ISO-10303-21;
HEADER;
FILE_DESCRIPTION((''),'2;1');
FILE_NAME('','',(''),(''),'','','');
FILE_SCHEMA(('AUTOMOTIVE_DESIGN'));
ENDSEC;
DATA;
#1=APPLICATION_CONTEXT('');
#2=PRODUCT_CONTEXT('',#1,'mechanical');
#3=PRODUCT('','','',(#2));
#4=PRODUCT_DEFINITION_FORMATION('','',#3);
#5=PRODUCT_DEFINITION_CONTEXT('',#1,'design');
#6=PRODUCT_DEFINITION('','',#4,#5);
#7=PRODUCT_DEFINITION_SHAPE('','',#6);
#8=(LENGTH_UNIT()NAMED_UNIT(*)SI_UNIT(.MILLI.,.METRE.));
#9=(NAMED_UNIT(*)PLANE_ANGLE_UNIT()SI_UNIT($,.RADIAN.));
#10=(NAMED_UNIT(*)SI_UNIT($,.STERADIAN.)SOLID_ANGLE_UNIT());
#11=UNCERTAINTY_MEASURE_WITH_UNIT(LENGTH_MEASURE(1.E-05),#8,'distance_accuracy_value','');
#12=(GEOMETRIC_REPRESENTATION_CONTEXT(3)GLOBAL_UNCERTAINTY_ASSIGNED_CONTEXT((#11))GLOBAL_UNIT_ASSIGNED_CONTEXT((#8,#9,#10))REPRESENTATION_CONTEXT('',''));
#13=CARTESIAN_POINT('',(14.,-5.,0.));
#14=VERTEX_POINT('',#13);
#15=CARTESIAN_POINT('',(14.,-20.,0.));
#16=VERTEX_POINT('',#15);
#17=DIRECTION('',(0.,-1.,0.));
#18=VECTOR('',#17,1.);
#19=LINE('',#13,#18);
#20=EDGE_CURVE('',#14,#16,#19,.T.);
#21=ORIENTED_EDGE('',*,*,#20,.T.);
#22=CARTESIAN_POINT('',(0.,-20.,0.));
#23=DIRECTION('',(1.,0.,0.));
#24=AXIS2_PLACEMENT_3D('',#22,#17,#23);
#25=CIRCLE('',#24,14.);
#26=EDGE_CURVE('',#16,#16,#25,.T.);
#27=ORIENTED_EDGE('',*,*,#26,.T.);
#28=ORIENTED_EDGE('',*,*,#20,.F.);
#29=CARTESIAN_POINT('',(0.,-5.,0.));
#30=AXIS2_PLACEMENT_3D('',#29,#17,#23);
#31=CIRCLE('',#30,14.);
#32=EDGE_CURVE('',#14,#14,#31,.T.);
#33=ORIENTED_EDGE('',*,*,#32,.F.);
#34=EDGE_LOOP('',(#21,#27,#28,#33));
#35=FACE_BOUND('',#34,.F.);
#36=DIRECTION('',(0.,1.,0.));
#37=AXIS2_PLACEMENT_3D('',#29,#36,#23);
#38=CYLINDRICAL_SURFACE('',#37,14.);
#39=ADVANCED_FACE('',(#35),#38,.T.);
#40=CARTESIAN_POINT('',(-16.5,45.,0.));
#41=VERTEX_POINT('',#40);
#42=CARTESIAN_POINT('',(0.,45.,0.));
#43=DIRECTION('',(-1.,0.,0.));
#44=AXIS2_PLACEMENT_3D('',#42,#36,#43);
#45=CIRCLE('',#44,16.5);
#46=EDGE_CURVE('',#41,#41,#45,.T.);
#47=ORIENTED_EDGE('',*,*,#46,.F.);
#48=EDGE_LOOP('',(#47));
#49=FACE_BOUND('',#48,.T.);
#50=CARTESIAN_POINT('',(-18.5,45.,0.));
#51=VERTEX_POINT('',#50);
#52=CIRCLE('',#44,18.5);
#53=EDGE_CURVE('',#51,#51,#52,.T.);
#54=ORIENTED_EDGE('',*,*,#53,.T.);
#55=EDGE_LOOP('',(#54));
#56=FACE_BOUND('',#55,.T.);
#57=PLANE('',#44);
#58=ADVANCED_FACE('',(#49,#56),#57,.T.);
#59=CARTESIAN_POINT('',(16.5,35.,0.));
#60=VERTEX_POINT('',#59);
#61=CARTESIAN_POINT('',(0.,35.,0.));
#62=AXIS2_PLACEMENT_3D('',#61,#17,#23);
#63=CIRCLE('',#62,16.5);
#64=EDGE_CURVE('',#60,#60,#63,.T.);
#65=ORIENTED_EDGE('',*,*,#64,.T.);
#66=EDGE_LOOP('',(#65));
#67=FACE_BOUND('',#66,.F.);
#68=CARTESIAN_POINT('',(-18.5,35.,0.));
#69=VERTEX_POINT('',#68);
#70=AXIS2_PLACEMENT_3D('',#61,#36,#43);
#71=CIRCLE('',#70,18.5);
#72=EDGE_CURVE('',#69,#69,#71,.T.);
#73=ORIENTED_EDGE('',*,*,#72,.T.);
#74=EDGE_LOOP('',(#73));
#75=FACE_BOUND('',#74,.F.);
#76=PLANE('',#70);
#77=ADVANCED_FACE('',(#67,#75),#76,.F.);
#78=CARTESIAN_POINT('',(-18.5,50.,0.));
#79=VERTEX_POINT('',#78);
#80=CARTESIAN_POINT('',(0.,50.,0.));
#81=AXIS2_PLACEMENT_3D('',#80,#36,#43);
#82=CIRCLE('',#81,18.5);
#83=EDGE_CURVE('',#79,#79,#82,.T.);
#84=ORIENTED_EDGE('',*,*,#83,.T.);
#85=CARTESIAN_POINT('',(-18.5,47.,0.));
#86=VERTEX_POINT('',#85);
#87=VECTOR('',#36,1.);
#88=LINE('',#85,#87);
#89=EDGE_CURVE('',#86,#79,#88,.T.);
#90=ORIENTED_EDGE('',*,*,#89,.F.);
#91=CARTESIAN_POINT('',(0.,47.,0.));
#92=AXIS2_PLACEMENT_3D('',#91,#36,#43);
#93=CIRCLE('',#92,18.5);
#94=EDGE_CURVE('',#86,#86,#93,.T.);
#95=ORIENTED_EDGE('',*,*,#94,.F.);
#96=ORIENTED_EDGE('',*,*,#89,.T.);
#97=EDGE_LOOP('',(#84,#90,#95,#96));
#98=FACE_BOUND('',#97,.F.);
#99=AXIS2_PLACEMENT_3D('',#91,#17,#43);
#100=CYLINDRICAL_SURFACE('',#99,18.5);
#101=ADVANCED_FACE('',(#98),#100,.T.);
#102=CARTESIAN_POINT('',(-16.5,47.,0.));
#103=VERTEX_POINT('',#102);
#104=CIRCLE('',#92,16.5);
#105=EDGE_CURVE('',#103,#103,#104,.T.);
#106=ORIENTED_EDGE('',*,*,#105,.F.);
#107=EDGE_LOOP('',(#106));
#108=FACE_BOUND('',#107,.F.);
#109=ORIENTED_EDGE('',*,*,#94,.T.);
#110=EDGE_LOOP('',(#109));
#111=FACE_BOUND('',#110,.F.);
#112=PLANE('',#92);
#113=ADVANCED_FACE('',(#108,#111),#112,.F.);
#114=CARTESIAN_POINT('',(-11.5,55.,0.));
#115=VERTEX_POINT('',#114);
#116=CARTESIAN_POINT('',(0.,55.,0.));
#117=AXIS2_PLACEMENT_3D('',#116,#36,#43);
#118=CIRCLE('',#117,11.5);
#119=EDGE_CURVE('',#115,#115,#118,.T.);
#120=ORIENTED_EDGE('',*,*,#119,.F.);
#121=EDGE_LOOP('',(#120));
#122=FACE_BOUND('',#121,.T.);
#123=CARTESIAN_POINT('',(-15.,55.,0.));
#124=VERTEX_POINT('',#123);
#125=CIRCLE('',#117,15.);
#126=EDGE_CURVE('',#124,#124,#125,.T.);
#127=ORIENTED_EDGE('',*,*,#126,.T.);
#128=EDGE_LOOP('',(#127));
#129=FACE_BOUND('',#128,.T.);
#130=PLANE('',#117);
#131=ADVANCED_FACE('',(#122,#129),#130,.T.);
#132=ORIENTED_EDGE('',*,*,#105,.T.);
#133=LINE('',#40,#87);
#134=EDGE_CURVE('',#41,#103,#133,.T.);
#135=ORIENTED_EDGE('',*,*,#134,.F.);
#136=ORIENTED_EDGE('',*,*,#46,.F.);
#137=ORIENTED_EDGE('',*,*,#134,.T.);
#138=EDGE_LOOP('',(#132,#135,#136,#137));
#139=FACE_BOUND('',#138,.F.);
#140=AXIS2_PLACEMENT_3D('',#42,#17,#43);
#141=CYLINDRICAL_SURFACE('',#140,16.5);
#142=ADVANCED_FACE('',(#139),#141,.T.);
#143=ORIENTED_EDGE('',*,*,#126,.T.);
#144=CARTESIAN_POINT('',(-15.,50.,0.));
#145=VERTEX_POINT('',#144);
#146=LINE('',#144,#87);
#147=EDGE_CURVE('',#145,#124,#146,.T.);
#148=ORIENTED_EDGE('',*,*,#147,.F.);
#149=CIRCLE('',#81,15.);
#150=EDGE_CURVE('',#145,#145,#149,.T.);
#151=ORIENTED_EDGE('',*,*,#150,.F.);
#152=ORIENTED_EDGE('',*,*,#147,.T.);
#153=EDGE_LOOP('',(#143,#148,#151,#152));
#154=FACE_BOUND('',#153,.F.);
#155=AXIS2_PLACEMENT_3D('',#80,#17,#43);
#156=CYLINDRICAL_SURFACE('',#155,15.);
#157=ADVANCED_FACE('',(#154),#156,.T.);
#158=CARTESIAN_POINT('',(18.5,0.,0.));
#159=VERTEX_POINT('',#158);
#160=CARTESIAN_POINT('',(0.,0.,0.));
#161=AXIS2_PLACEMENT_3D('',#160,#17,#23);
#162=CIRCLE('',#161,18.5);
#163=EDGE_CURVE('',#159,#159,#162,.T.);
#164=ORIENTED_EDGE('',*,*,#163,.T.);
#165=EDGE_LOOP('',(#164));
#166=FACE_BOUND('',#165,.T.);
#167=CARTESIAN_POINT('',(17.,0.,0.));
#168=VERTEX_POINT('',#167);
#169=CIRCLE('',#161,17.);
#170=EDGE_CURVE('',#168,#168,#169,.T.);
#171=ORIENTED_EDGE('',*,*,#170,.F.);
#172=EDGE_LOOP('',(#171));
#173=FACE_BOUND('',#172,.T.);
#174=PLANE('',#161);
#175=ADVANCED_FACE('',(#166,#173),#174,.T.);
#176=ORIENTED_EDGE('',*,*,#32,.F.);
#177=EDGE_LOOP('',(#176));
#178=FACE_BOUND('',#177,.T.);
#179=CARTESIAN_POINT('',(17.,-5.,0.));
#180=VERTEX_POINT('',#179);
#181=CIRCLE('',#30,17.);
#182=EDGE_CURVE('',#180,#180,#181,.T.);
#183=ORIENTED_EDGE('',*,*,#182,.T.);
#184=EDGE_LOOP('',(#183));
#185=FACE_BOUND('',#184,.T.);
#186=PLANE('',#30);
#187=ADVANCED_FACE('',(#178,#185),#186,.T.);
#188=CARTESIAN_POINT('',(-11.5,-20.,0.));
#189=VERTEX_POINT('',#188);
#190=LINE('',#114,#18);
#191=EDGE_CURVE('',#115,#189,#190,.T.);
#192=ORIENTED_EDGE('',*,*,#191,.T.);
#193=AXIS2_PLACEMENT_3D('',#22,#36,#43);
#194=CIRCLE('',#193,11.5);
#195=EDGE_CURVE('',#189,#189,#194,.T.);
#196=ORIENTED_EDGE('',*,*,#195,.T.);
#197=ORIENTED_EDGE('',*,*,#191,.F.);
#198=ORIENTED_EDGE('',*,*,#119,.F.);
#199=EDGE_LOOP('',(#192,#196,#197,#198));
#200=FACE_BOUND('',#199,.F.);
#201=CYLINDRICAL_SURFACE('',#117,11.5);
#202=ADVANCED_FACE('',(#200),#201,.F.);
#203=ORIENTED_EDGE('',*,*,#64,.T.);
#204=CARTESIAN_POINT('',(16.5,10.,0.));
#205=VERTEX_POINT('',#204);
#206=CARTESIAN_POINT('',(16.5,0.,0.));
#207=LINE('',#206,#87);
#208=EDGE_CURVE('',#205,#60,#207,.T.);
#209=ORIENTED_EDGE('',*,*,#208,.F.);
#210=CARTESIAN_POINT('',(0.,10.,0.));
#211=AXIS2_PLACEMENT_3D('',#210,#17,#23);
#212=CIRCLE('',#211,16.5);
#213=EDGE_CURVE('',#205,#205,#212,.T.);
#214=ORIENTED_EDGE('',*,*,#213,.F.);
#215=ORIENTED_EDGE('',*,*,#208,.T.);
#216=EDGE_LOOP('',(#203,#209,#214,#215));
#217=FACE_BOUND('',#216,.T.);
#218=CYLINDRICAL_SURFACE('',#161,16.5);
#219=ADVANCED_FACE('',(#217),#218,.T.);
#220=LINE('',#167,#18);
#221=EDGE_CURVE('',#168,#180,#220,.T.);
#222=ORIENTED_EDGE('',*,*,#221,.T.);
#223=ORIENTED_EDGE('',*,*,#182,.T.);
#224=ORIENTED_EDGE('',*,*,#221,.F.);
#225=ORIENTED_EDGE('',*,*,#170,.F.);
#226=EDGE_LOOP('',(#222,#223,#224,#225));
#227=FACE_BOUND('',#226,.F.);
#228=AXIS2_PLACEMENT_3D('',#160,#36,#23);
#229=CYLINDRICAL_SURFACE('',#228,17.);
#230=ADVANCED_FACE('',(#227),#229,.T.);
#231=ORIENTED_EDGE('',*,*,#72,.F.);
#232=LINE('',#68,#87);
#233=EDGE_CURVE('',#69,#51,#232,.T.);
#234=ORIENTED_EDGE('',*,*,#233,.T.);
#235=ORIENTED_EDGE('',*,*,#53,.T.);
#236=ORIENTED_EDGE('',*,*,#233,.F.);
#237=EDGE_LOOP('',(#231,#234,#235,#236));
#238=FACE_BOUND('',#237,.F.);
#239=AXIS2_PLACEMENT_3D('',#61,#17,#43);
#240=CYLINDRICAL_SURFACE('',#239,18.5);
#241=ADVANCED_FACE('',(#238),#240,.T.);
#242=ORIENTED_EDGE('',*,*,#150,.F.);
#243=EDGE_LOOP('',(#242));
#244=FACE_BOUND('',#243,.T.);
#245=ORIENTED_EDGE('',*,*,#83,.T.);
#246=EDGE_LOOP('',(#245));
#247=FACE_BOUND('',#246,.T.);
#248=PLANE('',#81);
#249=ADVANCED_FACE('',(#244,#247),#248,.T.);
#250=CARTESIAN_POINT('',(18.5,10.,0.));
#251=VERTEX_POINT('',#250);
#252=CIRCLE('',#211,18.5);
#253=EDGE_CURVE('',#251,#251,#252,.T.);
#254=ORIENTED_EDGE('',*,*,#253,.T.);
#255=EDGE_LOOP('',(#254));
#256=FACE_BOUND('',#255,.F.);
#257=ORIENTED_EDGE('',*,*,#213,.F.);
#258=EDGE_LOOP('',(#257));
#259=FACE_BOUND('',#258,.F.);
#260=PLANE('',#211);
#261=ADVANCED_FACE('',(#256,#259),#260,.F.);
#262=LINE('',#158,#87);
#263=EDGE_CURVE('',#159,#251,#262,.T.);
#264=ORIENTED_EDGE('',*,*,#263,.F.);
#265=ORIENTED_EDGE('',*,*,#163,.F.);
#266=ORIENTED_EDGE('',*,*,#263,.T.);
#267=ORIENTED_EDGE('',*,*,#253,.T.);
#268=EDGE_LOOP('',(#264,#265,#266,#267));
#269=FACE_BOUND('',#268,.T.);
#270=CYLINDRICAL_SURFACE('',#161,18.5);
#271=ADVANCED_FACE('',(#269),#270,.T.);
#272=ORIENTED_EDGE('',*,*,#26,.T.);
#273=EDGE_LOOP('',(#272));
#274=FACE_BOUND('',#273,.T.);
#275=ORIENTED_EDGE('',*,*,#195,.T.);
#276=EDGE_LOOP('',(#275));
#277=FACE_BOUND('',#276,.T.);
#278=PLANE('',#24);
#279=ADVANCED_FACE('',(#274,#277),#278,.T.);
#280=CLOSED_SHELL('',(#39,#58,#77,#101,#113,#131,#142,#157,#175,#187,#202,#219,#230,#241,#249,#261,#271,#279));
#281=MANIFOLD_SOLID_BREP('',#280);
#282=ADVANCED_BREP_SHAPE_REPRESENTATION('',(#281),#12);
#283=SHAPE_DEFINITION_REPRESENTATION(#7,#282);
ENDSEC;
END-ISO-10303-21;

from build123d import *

# Parameters (mm, degrees)
F0_R      = 17
F1_DEPTH  = 5
F2_R      = 14
F3_DEPTH  = 15
F4_R      = 18.5
F5_DEPTH  = 10
F6_R      = 16.5
F7_DEPTH  = 35
F8_R      = 18.5
F9_DEPTH  = 10
F10_R     = 16.5
F11_DEPTH = 2
F12_R     = 18.5
F13_DEPTH = 3
F14_R     = 15
F15_DEPTH = 5
F16_R     = 11.5
F17_DEPTH = 136.4


with BuildPart() as f1:
    # F0 (on Front) → F1 (new body)
    with BuildSketch(Plane.XZ):
        Circle(F0_R)
    extrude(amount=F1_DEPTH)

    # F2 (on face) → F3 (join)
    with BuildSketch(Plane.XZ.offset(5)):
        Circle(F2_R)
    extrude(amount=F3_DEPTH)

    # F4 (on Front) → F5 (join)
    with BuildSketch(Plane.XZ):
        Circle(F4_R)
    extrude(amount=-F5_DEPTH)

    # F6 (on Front) → F7 (join)
    with BuildSketch(Plane.XZ):
        Circle(F6_R)
    extrude(amount=-F7_DEPTH)

    # F8 (on face) → F9 (join)
    with BuildSketch(Plane(origin=(0, 35, 0), x_dir=(-1, 0, 0), z_dir=(0, 1, 0))):
        Circle(F8_R)
    extrude(amount=F9_DEPTH)

    # F10 (on face) → F11 (join)
    with BuildSketch(Plane(origin=(0, 45, 0), x_dir=(-1, 0, 0), z_dir=(0, 1, 0))):
        Circle(F10_R)
    extrude(amount=F11_DEPTH)

    # F12 (on face) → F13 (join)
    with BuildSketch(Plane(origin=(0, 47, 0), x_dir=(-1, 0, 0), z_dir=(0, 1, 0))):
        Circle(F12_R)
    extrude(amount=F13_DEPTH)

    # F14 (on face) → F15 (join)
    with BuildSketch(Plane(origin=(0, 50, 0), x_dir=(-1, 0, 0), z_dir=(0, 1, 0))):
        Circle(F14_R)
    extrude(amount=F15_DEPTH)

    # F16 (on face) → F17 (cut)
    with BuildSketch(Plane(origin=(0, 55, 0), x_dir=(-1, 0, 0), z_dir=(0, 1, 0))):
        Circle(F16_R)
    extrude(amount=-F17_DEPTH, mode=Mode.SUBTRACT)


solid = f1.part
